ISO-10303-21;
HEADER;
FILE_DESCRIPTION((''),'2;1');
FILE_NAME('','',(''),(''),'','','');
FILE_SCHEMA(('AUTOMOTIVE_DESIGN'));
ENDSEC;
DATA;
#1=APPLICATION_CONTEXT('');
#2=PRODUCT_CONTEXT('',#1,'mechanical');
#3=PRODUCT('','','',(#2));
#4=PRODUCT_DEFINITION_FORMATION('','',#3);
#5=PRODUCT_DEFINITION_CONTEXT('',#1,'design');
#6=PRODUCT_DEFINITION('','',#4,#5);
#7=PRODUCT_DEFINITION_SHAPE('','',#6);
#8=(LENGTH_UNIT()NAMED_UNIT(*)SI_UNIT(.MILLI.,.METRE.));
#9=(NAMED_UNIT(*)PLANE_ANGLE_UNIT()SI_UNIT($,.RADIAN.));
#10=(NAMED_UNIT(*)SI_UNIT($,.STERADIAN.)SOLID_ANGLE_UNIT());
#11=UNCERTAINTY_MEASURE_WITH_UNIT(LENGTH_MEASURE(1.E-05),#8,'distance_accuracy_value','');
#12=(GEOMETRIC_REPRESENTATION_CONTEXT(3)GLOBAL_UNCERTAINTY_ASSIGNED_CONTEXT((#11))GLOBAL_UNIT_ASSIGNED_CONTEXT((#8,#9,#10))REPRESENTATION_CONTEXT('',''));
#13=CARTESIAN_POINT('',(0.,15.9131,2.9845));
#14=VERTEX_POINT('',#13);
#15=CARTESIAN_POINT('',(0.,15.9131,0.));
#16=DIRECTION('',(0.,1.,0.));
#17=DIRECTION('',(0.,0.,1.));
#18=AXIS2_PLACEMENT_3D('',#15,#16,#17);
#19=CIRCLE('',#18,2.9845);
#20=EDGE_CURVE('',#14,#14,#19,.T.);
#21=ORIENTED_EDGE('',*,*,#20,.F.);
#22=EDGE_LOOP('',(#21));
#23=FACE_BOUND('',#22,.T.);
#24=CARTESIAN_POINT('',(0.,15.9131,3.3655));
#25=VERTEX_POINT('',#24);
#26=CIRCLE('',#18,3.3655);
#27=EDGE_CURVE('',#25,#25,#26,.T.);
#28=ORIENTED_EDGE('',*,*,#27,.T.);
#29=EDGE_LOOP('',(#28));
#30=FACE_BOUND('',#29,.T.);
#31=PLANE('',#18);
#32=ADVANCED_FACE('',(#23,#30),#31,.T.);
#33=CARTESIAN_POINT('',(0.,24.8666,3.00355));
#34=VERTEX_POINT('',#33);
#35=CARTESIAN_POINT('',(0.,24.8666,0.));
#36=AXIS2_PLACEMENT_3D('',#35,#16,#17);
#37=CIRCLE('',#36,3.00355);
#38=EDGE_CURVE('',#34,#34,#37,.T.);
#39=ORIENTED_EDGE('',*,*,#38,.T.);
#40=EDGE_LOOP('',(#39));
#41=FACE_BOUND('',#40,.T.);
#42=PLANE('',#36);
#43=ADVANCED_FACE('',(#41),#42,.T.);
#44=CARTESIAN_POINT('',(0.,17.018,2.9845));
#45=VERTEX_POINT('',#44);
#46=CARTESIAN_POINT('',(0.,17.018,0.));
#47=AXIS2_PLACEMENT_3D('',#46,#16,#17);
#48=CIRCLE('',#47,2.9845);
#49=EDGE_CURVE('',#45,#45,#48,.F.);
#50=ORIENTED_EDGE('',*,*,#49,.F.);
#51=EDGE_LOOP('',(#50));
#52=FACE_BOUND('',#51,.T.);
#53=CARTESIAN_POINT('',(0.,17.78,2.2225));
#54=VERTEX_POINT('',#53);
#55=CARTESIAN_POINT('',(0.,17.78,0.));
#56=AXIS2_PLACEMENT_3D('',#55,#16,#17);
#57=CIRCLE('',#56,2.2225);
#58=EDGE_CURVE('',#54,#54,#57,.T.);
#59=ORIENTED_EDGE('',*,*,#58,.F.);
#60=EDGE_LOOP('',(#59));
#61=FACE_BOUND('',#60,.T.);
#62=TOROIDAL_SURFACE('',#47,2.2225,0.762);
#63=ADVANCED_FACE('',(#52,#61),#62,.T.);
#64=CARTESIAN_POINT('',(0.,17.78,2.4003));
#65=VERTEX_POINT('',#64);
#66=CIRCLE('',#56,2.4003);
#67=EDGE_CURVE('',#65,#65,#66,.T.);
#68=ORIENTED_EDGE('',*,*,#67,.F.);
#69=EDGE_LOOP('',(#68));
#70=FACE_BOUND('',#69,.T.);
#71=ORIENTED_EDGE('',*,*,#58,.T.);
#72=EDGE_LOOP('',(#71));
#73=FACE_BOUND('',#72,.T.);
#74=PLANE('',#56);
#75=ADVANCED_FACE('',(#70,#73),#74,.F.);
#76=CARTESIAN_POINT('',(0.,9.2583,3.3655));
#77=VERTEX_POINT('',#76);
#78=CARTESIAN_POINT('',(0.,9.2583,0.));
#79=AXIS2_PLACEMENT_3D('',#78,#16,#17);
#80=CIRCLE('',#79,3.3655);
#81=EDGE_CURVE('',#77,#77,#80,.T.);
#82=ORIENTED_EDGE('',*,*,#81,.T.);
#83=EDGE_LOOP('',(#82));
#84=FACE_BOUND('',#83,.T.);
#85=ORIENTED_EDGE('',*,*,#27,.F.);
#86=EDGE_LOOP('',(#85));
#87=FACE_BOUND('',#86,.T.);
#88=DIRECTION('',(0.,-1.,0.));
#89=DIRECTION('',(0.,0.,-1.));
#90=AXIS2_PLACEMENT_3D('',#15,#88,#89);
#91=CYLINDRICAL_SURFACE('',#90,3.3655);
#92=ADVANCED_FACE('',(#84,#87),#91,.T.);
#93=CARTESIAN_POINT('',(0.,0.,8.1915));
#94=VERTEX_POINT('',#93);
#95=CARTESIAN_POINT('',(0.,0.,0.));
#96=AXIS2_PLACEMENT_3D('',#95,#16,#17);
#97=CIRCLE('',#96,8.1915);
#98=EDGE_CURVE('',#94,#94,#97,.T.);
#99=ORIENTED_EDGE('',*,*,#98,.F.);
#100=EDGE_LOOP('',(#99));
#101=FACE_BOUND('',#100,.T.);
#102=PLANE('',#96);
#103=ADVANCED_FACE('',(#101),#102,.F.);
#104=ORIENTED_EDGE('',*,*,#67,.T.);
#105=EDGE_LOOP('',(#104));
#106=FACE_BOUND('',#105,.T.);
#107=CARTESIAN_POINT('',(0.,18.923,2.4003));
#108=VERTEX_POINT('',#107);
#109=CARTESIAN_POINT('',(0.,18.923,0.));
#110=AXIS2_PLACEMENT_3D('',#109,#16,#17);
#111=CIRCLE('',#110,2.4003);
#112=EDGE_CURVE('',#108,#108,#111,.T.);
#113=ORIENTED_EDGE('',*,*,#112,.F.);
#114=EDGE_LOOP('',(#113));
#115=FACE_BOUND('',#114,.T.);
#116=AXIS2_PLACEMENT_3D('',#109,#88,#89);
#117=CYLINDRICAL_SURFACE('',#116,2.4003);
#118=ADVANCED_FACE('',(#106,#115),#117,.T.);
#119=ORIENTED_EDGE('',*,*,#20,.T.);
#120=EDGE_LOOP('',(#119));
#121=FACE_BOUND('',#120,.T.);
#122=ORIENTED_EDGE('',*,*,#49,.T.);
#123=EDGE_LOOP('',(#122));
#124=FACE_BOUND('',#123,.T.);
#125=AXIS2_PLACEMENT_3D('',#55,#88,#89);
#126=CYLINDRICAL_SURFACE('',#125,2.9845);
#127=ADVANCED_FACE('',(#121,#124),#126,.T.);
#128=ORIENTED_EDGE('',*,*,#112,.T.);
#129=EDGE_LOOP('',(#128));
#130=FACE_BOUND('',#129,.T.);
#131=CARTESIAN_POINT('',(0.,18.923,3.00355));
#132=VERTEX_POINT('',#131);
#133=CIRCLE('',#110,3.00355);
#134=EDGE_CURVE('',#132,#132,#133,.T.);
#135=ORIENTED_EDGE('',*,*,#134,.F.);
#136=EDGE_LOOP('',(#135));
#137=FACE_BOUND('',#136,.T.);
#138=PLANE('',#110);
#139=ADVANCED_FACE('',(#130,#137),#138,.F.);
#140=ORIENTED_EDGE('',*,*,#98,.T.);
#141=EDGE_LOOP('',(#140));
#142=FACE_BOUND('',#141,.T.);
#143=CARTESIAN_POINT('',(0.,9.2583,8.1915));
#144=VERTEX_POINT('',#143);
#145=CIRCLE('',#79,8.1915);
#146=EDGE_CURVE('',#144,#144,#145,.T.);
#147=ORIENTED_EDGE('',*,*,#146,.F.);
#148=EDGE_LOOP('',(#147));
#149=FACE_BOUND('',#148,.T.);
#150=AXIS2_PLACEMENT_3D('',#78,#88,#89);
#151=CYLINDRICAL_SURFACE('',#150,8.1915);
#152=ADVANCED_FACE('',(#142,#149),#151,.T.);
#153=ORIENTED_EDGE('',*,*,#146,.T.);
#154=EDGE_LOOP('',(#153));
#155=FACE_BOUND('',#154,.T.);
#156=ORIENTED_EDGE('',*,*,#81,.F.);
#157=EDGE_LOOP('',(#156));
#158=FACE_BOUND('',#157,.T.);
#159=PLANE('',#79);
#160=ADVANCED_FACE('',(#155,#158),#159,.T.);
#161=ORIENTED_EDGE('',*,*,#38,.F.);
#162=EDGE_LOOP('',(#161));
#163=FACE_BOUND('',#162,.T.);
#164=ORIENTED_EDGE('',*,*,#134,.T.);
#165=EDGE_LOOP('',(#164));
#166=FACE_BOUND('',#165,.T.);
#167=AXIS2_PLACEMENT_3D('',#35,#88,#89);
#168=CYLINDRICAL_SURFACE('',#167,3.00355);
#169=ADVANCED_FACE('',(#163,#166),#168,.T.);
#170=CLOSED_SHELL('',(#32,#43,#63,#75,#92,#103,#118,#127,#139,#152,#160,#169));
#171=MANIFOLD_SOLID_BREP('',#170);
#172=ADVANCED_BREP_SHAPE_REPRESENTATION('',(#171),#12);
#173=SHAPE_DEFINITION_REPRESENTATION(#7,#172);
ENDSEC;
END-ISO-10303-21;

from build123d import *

# Parameters (mm, degrees)
SKETCH2_R           = 8.1915
BOSS_EXTRUDE1_DEPTH = 9.2583
SKETCH4_R           = 3.3655
BOSS_EXTRUDE3_DEPTH = 6.6548
SKETCH5_R           = 2.9845
BOSS_EXTRUDE4_DEPTH = 1.8669
FILLET1_R           = 0.762
SKETCH7_R           = 2.4003
BOSS_EXTRUDE5_DEPTH = 1.143
SKETCH8_R           = 3.00355
BOSS_EXTRUDE6_DEPTH = 5.9436


with BuildPart() as part:
    # Sketch2 → Boss-Extrude1 (new body)
    with BuildSketch(Plane(origin=(0, 0, 0), x_dir=(1, 0, 0), z_dir=(0, 1, 0))):
        with Locations(Location((0, 0, 0), (0, 0, 270))):
            Circle(SKETCH2_R)
    extrude(amount=BOSS_EXTRUDE1_DEPTH)

    # Sketch4 → Boss-Extrude3 (add)
    with BuildSketch(Plane(origin=(0, 9.2583, 0), x_dir=(1, 0, 0), z_dir=(0, 1, 0))):
        with Locations(Location((0, 0, 0), (0, 0, 270))):
            Circle(SKETCH4_R)
    extrude(amount=BOSS_EXTRUDE3_DEPTH)

    # Sketch5 → Boss-Extrude4 (add)
    with BuildSketch(Plane(origin=(0, 15.9131, 0), x_dir=(1, 0, 0), z_dir=(0, 1, 0))):
        with Locations(Location((0, 0, 0), (0, 0, 270))):
            Circle(SKETCH5_R)
    extrude(amount=BOSS_EXTRUDE4_DEPTH)

    # Fillet1
    fillet1_edges = [part.edges().sort_by_distance(p)[0] for p in [
        (0, 17.78, -2.9845),
    ]]
    fillet(fillet1_edges, radius=FILLET1_R)

    # Sketch7 → Boss-Extrude5 (add)
    with BuildSketch(Plane(origin=(0, 17.78, 0), x_dir=(1, 0, 0), z_dir=(0, 1, 0))):
        with Locations(Location((0, 0, 0), (0, 0, 270))):
            Circle(SKETCH7_R)
    extrude(amount=BOSS_EXTRUDE5_DEPTH)

    # Sketch8 → Boss-Extrude6 (add)
    with BuildSketch(Plane(origin=(0, 18.923, 0), x_dir=(1, 0, 0), z_dir=(0, 1, 0))):
        with Locations(Location((0, 0, 0), (0, 0, 270))):
            Circle(SKETCH8_R)
    extrude(amount=BOSS_EXTRUDE6_DEPTH)


solid = part.part
